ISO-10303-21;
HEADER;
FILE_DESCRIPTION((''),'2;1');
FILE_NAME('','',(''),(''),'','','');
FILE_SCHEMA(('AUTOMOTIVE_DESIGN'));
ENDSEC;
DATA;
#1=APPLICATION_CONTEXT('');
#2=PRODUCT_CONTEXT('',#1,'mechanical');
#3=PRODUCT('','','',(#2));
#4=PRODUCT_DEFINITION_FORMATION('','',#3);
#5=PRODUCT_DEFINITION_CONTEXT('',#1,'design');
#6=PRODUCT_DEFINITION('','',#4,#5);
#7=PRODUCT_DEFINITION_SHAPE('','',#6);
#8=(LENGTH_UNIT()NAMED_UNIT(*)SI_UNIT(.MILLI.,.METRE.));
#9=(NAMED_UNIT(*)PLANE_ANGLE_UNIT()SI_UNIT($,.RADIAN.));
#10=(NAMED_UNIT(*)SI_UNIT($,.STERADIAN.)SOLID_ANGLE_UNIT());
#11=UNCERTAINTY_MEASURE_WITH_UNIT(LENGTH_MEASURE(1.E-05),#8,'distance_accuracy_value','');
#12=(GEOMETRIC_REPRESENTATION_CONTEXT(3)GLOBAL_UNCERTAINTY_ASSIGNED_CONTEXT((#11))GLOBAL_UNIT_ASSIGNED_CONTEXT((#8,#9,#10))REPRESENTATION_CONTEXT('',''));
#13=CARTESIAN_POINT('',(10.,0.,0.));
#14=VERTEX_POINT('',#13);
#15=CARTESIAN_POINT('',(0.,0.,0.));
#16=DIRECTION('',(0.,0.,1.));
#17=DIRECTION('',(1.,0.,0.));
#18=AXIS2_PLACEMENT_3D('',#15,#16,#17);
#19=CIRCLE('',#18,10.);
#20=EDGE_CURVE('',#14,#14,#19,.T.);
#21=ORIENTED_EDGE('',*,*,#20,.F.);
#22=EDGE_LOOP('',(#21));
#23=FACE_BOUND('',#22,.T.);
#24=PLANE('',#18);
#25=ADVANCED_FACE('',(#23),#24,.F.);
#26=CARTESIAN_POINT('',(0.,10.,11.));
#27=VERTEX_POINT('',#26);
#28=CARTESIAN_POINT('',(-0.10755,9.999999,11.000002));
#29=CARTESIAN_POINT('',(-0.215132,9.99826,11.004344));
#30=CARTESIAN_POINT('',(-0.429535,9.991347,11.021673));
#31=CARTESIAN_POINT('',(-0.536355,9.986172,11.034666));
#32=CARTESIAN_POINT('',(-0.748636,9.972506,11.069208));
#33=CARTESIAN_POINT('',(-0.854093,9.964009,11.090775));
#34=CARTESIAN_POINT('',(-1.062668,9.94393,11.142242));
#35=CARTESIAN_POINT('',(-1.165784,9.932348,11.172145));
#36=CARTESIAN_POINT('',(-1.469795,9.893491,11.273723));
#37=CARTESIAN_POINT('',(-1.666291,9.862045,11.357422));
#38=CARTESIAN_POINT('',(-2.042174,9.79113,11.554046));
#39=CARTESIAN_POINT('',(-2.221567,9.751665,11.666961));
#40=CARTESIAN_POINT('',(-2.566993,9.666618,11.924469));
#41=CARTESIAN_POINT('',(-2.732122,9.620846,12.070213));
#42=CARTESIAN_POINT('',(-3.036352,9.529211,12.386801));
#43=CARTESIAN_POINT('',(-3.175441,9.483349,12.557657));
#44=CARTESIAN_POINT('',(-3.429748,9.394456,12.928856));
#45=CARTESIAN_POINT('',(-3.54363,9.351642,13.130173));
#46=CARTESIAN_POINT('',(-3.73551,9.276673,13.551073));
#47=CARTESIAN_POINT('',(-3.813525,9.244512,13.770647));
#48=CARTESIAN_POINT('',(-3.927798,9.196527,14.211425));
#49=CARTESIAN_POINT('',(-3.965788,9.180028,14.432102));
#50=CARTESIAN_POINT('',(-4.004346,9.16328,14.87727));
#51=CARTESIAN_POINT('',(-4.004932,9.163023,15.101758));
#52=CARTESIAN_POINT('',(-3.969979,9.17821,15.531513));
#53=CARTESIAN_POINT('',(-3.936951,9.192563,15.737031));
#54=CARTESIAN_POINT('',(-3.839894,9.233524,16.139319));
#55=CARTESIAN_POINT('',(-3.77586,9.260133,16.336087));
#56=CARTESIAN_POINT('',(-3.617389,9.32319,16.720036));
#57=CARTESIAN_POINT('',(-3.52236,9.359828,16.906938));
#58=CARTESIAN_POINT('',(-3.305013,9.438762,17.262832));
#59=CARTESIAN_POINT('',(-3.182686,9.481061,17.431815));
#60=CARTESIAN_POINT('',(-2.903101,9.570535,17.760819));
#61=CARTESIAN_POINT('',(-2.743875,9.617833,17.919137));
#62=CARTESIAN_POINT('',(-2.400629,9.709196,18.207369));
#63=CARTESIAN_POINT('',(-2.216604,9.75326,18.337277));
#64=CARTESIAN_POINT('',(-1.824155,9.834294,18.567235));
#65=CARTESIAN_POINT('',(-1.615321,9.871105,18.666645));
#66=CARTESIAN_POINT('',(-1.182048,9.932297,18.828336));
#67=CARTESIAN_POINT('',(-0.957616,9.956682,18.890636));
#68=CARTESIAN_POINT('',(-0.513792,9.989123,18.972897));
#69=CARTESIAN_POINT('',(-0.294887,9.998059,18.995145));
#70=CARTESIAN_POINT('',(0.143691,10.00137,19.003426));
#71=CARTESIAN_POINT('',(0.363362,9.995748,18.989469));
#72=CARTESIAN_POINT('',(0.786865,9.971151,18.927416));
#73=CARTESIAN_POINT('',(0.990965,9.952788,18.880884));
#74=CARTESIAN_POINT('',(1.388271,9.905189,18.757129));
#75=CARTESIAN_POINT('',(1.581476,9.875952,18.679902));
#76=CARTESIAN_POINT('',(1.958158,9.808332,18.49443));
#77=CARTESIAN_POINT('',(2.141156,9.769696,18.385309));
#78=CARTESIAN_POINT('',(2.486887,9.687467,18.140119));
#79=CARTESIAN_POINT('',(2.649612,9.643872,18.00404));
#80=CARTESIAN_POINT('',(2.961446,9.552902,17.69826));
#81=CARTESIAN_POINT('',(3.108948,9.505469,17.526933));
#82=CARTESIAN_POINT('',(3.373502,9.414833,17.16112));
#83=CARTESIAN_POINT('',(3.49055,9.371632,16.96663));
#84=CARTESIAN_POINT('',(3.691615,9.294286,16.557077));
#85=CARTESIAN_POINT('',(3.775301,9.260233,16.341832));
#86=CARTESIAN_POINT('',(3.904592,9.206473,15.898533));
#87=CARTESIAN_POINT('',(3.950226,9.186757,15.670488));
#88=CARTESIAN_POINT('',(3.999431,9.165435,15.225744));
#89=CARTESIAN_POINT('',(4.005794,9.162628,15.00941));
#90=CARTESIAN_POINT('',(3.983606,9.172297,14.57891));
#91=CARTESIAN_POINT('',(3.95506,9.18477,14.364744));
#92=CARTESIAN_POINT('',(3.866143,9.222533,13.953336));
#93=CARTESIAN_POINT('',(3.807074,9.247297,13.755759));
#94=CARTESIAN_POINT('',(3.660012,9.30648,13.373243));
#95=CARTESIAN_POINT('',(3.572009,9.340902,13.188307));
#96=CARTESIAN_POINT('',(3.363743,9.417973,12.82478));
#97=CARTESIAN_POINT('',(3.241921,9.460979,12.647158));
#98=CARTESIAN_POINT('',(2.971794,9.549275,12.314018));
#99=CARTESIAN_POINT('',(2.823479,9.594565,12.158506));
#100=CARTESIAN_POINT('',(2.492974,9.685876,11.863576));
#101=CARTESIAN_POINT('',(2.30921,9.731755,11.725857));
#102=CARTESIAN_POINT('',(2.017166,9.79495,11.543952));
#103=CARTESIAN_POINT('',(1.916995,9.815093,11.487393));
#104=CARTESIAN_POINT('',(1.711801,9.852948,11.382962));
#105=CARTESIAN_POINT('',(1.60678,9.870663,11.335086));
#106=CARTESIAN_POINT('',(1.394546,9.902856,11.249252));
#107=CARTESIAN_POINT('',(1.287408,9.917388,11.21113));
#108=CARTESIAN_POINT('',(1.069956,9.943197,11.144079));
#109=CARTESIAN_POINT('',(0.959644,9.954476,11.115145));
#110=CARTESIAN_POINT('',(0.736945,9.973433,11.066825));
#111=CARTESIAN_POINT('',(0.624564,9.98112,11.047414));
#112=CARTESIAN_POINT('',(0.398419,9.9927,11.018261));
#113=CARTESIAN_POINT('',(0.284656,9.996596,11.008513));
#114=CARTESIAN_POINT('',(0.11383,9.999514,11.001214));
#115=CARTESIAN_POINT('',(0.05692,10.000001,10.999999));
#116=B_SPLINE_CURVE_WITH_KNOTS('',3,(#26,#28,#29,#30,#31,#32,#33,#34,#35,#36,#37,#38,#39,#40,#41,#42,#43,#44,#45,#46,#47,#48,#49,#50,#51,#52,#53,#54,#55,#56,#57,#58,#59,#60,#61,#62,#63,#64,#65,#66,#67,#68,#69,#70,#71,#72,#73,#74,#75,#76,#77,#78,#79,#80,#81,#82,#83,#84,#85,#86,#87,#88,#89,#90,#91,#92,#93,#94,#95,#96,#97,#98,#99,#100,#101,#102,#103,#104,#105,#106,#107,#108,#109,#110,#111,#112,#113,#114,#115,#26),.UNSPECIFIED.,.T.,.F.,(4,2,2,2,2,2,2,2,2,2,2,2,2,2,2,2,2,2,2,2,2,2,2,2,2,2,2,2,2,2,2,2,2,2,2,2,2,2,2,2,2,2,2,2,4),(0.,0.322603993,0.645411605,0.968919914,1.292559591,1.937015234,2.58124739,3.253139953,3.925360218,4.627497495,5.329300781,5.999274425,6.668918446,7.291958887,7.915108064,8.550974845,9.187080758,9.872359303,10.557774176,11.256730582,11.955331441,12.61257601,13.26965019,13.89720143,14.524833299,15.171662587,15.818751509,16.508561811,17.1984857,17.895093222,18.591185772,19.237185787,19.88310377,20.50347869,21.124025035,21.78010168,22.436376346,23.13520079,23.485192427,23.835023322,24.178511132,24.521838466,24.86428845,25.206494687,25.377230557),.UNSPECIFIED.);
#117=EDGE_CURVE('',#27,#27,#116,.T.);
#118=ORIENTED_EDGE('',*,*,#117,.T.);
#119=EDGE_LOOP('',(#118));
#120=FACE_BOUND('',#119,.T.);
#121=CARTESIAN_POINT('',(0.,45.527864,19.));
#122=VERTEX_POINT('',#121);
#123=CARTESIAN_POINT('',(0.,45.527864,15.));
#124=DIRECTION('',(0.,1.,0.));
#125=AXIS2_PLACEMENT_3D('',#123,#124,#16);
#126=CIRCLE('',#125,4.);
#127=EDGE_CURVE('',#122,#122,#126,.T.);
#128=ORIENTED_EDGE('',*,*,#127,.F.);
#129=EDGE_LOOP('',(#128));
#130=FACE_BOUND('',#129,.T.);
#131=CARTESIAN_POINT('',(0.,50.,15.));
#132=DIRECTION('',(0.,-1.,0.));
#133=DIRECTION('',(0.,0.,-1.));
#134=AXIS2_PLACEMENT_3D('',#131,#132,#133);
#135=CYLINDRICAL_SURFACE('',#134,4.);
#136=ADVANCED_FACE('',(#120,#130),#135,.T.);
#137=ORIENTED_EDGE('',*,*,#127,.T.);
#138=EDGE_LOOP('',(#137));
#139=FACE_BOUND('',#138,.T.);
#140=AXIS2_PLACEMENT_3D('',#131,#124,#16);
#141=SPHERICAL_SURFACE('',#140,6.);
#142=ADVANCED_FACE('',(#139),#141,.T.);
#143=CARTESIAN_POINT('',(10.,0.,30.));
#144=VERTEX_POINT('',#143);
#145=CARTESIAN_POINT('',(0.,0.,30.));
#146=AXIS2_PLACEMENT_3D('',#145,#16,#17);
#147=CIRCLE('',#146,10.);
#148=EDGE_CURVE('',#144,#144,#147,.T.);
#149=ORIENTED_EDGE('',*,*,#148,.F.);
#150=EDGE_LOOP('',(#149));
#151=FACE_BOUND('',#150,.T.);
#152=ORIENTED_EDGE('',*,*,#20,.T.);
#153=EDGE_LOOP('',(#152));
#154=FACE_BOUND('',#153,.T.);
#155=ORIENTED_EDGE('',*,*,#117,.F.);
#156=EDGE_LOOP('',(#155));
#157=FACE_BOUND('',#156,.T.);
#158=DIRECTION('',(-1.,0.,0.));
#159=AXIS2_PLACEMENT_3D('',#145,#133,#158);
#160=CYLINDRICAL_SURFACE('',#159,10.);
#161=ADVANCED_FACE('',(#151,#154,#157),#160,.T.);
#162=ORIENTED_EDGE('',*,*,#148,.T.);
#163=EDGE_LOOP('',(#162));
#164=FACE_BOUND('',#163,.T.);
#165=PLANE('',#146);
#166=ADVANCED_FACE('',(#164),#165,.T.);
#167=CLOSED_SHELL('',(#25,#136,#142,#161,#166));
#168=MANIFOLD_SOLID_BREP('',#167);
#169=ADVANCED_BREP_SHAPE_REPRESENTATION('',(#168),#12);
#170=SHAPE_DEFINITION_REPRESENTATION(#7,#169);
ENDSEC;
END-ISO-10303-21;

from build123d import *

# Parameters (mm, degrees)
SKETCH_1_R      = 10
EXTRUDE_2_DEPTH = 30
SKETCH_2_R      = 4
EXTRUDE_3_DEPTH = 50


with BuildPart() as part:
    # 草图1 → 凸台-拉伸2 (new body)
    with BuildSketch(Plane.XY):
        Circle(SKETCH_1_R)
    extrude(amount=EXTRUDE_2_DEPTH)

    # 草图2 → 凸台-拉伸3 (add)
    with BuildSketch(Plane(origin=(0, 0, 0), x_dir=(1, 0, 0), z_dir=(0, 1, 0))):
        with Locations(Location((0, -15, 0), (0, 0, 90))):
            Circle(SKETCH_2_R)
    extrude(amount=EXTRUDE_3_DEPTH)

    # 草图3 → 旋转1 (revolve)
    with BuildSketch(Plane(origin=(0, 50, 0), x_dir=(1, 0, 0), z_dir=(0, 1, 0))):
        with BuildLine():
            Line((0, -9), (0, -21))
            ThreePointArc((0, -21), (6, -15), (0, -9))
        make_face()
    revolve(axis=Axis((0, 50, 9), (0, 0, 1)))


solid = part.part
